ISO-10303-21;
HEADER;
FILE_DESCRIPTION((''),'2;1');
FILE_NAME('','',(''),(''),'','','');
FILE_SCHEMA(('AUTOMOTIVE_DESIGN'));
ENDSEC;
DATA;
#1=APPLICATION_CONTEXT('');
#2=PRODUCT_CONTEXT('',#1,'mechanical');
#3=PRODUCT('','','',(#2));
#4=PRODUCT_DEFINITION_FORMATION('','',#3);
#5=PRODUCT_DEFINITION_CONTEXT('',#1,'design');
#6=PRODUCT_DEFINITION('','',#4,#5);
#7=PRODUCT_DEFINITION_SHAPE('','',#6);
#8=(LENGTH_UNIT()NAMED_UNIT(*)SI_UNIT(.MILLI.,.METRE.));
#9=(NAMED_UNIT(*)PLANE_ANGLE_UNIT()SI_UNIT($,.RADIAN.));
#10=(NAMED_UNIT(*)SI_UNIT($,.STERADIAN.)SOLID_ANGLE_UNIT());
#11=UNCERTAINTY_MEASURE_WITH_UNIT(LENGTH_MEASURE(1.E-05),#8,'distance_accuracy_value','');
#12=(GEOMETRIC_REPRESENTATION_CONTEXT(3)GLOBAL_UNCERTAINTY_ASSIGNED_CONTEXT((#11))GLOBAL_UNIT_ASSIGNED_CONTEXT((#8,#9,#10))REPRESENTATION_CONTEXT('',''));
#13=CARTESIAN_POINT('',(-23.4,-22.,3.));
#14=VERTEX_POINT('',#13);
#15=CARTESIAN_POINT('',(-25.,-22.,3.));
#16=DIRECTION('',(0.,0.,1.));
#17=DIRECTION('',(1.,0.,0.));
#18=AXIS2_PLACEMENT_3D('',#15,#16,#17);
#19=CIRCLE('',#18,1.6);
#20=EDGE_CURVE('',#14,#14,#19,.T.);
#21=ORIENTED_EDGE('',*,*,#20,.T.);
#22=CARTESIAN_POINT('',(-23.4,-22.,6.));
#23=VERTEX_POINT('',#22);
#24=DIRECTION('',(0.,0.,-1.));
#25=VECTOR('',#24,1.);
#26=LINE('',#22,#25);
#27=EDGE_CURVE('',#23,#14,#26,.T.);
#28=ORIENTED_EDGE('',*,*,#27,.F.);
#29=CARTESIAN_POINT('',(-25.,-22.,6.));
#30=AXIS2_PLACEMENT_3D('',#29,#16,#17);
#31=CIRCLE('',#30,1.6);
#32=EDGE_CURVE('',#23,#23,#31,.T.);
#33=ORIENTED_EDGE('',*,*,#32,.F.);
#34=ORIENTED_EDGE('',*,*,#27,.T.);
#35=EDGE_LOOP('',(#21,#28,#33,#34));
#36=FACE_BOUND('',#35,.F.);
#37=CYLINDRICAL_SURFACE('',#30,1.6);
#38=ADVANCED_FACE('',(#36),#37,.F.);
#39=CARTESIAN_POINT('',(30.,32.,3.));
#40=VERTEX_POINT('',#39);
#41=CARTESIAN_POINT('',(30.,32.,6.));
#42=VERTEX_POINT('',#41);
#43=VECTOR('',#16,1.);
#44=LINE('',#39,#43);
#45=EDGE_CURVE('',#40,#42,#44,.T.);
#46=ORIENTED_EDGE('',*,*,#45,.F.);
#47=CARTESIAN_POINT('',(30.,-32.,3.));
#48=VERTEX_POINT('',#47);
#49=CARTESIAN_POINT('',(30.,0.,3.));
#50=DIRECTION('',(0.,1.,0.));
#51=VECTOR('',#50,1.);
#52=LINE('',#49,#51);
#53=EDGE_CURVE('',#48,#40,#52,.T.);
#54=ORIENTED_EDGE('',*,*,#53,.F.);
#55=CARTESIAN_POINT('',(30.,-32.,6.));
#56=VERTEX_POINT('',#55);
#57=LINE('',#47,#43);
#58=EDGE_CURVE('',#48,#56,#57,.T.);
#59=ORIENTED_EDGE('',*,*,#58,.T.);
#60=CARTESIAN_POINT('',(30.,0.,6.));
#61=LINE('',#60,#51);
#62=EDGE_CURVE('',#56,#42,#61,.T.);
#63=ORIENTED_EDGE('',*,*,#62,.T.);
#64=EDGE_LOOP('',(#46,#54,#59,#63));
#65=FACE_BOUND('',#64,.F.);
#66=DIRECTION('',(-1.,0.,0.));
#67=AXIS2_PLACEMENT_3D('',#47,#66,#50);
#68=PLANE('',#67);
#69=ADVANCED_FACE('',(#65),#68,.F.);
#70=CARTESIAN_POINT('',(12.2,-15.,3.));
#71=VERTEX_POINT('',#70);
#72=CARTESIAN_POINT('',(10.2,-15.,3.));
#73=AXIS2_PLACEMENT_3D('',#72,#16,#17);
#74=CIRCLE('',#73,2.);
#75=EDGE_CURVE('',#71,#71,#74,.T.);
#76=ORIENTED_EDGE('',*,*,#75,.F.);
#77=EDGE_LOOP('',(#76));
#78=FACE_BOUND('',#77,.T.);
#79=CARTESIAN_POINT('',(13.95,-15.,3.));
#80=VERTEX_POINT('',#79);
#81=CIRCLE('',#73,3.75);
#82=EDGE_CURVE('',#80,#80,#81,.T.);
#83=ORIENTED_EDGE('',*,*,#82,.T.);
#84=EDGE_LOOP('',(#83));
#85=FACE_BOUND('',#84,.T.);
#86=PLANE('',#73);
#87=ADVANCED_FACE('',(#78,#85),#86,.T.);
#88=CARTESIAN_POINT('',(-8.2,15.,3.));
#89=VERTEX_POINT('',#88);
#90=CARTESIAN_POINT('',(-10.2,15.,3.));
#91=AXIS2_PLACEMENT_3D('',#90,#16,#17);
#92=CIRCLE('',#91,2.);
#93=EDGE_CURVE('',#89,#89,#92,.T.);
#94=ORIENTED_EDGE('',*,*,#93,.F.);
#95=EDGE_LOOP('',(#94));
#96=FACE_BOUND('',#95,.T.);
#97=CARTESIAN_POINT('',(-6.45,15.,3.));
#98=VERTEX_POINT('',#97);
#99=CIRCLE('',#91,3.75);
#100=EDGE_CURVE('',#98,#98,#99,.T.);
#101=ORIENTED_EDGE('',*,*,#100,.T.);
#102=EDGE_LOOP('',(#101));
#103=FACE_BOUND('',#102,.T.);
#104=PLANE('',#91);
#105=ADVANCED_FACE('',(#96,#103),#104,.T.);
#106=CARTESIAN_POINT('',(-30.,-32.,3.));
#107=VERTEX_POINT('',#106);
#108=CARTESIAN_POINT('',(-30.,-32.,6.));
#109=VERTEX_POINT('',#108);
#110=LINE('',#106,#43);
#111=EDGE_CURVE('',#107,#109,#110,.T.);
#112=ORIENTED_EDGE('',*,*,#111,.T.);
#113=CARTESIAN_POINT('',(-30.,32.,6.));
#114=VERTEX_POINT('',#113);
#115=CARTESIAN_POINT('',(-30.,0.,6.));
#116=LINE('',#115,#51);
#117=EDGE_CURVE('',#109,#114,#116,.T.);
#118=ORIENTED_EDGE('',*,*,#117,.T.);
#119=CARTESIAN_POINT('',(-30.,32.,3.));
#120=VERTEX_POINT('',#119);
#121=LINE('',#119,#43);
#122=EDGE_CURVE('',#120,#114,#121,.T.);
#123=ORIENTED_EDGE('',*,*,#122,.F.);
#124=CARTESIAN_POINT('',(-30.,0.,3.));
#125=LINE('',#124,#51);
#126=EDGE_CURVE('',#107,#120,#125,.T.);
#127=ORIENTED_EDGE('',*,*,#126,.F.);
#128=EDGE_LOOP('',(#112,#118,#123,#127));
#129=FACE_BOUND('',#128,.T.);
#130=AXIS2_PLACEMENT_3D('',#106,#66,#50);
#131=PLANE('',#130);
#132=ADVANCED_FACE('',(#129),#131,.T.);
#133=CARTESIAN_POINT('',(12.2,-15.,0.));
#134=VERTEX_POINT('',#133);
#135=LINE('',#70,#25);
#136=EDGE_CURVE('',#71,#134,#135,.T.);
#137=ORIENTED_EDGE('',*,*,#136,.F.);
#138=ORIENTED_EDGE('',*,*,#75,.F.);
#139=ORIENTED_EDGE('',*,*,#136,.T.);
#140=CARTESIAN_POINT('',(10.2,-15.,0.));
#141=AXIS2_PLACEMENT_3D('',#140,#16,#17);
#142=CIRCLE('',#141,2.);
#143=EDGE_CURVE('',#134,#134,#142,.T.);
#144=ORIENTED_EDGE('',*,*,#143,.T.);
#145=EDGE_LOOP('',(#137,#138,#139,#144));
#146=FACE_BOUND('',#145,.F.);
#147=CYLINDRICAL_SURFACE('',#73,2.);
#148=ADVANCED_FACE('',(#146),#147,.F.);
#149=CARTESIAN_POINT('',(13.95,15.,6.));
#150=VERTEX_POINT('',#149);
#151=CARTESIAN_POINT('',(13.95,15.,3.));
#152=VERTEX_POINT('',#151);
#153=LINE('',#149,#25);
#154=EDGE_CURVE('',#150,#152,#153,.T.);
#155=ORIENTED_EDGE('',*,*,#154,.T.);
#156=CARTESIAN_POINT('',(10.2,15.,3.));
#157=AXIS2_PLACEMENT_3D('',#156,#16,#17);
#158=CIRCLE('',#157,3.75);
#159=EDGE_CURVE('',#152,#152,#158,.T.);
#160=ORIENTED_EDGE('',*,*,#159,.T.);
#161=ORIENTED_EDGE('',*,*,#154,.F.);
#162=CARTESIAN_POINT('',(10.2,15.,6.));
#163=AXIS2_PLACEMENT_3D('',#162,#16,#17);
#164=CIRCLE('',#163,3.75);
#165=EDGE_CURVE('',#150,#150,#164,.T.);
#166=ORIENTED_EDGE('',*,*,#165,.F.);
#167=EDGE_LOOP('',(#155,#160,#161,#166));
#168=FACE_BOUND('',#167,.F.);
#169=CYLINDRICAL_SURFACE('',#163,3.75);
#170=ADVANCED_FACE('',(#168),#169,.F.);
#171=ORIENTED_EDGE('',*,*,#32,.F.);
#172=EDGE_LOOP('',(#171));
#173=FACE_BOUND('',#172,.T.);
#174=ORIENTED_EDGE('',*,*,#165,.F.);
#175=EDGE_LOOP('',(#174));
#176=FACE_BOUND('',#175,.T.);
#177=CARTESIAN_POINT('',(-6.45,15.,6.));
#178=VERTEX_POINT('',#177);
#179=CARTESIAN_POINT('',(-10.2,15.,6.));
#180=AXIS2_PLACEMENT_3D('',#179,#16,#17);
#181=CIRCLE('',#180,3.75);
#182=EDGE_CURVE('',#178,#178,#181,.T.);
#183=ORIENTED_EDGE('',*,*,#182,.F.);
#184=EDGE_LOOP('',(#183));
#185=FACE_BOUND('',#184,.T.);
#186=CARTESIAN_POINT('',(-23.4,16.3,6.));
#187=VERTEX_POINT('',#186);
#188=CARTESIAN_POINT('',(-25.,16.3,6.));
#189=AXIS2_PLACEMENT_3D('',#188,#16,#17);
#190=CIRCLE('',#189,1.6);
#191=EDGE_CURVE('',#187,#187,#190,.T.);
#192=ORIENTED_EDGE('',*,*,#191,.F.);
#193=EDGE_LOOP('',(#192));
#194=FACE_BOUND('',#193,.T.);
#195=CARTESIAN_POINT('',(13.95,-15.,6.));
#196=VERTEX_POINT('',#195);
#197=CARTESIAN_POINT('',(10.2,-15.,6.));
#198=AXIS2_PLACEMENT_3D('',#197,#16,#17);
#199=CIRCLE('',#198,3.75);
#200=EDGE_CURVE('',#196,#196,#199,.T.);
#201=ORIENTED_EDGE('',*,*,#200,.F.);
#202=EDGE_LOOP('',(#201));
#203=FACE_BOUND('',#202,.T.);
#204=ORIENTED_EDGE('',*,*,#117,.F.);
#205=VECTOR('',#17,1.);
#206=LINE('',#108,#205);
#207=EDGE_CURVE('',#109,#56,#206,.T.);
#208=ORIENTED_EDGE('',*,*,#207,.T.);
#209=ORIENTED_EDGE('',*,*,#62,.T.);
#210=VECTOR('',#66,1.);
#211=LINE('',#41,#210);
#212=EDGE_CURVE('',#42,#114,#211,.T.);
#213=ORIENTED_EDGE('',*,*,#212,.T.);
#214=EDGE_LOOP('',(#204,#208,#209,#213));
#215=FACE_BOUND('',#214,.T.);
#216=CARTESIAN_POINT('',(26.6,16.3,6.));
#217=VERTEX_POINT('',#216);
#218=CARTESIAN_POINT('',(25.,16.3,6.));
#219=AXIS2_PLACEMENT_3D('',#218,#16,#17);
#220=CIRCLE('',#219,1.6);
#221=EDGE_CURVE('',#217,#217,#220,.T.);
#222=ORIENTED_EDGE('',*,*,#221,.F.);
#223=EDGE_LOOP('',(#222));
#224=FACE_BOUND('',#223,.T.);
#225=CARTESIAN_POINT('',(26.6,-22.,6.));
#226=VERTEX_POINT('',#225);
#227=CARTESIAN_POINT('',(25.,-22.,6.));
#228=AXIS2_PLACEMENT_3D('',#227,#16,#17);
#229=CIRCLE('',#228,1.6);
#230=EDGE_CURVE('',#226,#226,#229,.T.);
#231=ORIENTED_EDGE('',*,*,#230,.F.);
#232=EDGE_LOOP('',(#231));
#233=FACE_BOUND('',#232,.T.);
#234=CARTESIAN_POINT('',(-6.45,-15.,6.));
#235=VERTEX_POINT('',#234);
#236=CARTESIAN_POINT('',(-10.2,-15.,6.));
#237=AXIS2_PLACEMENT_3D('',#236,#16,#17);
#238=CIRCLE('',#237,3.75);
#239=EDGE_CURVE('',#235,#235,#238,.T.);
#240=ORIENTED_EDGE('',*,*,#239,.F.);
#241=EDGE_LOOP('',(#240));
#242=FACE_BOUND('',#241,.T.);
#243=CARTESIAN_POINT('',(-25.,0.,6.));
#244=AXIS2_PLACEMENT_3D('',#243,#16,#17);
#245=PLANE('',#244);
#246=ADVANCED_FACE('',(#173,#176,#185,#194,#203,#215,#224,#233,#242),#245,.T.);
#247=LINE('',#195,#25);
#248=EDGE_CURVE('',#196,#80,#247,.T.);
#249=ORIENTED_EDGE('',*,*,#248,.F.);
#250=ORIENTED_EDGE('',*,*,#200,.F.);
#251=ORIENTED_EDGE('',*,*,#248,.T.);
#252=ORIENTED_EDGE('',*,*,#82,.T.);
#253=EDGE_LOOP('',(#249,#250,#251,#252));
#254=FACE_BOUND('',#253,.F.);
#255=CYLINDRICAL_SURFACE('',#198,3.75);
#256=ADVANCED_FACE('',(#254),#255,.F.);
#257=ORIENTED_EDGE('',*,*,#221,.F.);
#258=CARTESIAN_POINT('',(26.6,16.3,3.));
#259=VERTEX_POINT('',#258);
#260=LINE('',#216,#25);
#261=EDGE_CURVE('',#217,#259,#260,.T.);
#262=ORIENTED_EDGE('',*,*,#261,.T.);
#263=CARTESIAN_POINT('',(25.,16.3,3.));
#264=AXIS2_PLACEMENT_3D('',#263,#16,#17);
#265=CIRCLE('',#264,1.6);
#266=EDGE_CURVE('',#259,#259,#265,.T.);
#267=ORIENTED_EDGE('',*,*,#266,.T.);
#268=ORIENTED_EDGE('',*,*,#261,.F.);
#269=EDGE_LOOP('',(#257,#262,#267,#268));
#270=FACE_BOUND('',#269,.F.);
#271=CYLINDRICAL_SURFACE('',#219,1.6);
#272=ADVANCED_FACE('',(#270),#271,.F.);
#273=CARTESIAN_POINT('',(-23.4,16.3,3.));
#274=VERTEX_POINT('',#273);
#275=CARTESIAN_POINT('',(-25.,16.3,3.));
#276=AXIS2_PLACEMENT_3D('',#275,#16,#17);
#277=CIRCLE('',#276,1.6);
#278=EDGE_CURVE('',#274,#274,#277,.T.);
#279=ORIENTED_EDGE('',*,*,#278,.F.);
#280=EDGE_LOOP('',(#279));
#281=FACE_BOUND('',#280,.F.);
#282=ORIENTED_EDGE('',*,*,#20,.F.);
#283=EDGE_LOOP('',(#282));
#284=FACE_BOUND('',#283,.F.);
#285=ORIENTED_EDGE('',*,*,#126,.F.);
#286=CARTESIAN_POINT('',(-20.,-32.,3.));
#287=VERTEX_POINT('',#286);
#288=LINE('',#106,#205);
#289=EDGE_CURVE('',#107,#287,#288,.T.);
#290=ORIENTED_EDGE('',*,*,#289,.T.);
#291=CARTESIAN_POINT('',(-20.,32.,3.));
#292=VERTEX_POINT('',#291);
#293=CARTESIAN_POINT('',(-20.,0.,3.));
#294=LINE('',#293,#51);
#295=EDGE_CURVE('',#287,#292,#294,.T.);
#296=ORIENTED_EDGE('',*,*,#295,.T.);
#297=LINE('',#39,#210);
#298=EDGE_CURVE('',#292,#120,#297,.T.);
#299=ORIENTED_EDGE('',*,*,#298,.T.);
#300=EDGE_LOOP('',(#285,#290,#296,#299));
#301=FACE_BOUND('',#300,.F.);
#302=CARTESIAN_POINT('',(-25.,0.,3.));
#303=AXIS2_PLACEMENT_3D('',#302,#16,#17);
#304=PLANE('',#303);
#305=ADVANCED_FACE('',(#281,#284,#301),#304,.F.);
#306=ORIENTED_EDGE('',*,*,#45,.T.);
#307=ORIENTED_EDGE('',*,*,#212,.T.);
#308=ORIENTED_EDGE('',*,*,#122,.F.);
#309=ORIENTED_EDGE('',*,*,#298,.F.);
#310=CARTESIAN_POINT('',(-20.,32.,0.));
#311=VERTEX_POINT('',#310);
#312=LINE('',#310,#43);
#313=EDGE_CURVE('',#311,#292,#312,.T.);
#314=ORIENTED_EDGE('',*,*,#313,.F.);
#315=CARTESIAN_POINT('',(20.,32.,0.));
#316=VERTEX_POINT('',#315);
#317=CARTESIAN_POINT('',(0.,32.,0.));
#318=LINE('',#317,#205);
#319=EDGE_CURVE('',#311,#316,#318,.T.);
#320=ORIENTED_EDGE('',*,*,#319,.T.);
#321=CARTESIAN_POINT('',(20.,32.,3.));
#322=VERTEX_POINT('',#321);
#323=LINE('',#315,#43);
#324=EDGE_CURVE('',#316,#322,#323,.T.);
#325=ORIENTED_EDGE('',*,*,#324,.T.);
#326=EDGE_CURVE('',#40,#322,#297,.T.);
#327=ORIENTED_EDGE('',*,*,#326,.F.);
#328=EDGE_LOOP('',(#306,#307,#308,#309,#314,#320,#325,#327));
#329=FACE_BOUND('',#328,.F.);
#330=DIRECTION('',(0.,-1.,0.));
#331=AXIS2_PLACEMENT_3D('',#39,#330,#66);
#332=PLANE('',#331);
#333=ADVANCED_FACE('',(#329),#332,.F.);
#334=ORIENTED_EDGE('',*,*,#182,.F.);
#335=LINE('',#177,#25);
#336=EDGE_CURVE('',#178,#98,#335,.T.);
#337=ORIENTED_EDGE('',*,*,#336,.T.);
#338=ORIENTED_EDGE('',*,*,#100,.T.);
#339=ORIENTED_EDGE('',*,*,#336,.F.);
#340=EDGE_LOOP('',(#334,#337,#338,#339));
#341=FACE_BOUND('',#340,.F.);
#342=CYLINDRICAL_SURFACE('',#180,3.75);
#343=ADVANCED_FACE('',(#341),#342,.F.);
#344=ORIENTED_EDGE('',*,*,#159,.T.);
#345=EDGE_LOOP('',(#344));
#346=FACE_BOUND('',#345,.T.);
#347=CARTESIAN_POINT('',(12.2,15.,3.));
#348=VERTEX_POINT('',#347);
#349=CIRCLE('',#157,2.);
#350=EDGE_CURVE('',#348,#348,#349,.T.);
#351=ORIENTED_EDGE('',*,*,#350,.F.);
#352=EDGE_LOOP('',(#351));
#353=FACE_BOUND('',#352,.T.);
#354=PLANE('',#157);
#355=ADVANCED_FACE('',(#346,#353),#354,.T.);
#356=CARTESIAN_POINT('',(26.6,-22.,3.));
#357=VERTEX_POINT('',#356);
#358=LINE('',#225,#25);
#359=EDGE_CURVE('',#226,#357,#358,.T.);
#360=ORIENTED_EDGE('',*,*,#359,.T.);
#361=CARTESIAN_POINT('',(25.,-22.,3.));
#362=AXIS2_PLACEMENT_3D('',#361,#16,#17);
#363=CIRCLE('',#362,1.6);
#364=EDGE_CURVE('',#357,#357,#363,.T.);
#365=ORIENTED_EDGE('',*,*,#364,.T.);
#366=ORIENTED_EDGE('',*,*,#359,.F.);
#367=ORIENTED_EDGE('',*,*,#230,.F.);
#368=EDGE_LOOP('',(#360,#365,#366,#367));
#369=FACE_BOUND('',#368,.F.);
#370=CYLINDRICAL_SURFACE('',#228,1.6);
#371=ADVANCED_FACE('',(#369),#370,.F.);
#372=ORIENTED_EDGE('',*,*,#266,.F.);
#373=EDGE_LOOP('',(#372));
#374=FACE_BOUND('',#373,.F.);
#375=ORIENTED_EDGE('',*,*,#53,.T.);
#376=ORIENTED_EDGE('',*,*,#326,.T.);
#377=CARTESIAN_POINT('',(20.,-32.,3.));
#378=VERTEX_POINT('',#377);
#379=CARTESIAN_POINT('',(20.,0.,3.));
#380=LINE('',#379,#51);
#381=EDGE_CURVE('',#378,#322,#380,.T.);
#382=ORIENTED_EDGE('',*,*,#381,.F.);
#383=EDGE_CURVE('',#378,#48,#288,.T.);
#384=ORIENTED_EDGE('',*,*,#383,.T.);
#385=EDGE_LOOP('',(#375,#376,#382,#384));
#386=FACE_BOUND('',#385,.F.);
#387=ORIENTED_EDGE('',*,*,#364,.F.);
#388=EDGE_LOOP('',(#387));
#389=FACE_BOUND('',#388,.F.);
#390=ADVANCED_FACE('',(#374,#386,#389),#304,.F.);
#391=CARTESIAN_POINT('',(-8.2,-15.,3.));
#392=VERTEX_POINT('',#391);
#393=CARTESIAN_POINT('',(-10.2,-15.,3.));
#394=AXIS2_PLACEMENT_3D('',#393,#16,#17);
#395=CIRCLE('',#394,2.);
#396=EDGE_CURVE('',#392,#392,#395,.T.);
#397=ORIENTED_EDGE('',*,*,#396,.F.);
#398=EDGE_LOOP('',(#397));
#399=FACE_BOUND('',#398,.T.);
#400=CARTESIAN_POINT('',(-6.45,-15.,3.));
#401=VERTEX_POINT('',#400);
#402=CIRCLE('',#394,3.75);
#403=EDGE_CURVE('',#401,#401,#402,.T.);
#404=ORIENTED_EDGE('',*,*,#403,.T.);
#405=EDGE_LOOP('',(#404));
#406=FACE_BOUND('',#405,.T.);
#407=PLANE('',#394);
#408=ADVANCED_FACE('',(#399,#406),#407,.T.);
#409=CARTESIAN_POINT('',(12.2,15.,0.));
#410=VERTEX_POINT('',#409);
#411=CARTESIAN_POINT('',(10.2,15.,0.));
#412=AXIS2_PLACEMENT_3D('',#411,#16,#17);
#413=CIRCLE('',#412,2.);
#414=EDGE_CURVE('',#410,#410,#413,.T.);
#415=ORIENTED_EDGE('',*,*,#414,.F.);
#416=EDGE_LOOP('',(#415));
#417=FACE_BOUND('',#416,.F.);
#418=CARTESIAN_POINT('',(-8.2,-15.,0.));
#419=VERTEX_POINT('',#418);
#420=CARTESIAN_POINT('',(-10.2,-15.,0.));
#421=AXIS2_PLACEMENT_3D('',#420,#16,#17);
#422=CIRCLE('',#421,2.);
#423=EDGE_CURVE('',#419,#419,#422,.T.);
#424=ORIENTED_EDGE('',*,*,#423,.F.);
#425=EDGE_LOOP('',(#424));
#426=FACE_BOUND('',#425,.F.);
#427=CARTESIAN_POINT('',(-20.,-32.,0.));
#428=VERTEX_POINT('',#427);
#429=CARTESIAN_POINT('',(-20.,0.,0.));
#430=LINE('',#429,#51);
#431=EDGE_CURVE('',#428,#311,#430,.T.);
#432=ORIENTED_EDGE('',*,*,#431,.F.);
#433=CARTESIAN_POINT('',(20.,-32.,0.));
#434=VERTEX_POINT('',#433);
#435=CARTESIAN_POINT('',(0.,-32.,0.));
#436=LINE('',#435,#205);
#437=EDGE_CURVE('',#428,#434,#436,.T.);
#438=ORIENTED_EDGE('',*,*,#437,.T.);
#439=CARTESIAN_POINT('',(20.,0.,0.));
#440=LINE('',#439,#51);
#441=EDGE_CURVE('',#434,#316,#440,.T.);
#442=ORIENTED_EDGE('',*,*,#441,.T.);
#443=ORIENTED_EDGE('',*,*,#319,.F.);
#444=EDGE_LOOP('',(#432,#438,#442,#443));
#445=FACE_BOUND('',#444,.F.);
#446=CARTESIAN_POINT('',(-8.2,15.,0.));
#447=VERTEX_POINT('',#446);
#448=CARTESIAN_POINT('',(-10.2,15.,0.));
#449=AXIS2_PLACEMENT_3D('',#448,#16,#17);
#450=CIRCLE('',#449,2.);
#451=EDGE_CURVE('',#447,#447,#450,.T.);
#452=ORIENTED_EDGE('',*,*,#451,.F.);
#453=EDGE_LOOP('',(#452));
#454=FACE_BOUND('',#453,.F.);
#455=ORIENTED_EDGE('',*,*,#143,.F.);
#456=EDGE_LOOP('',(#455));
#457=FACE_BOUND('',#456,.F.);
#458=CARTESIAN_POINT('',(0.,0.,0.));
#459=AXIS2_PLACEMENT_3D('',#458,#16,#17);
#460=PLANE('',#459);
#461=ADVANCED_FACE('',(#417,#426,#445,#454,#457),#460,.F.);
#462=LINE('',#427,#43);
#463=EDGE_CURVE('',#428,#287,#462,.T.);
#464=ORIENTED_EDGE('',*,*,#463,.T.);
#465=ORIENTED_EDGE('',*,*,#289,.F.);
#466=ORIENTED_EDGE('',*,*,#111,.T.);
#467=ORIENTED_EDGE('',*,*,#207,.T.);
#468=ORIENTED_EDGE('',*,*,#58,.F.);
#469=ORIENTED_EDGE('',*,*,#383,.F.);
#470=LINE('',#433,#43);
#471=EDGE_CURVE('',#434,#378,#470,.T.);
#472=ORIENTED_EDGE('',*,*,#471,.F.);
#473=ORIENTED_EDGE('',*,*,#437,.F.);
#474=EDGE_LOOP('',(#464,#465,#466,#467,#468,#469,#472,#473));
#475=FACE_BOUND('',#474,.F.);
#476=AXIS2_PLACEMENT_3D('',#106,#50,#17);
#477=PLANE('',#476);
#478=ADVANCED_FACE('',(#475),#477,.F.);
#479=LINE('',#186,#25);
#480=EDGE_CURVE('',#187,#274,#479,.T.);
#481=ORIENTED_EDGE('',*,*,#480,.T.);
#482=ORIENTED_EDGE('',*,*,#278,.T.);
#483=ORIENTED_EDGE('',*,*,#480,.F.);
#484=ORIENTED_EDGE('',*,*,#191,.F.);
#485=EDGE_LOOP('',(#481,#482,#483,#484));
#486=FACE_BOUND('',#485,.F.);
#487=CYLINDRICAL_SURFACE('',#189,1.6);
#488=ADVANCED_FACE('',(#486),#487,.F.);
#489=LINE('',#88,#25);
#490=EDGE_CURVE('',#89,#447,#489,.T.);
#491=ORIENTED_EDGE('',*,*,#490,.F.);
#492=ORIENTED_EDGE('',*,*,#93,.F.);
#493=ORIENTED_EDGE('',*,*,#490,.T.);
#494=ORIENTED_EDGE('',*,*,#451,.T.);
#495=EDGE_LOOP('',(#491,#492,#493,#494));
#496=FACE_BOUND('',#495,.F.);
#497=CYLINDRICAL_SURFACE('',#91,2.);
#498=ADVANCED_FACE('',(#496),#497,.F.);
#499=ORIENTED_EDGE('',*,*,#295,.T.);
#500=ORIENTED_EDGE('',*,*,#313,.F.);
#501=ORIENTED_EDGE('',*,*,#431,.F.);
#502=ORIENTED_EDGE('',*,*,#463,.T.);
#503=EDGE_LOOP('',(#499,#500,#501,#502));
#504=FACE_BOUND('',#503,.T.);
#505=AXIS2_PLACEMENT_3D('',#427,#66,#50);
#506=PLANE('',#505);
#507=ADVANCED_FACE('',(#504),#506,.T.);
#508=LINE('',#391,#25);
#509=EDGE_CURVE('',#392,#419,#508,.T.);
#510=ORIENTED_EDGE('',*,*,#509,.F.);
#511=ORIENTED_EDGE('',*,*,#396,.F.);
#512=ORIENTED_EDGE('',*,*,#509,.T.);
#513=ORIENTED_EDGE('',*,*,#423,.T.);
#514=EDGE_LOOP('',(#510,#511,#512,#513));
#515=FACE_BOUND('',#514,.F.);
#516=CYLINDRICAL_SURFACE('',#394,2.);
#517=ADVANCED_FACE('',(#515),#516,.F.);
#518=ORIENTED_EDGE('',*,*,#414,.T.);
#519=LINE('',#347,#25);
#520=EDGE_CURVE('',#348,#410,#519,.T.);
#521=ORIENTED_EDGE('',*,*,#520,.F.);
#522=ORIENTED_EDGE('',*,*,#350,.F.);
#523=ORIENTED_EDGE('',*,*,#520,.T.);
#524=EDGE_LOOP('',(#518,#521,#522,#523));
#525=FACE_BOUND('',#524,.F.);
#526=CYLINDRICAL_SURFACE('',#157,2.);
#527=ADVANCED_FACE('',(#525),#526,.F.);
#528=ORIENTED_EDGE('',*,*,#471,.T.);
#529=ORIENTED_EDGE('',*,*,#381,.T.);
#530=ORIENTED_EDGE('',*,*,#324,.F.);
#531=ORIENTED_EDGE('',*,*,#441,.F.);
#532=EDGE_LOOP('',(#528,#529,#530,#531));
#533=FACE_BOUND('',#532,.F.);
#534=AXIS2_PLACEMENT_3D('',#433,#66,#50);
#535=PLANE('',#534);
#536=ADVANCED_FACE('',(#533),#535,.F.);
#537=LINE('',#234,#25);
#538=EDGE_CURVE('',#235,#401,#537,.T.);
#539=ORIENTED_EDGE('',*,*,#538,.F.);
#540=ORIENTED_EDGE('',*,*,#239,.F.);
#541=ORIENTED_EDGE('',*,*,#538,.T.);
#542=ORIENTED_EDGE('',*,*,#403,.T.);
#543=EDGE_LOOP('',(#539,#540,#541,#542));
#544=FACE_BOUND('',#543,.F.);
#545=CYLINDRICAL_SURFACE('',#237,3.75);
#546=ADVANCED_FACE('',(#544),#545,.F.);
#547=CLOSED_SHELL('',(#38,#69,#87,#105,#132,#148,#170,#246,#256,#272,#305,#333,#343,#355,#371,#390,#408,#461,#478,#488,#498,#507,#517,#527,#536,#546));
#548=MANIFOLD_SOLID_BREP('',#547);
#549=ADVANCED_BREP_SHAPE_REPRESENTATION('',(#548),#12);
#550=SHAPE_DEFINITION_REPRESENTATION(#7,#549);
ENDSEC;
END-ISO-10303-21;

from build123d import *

# Parameters (mm, degrees)
F0_W      = 40
F0_H      = 64
F1_DEPTH  = 3
F2_W      = 10
F2_H      = 64
F2_W_2    = 40
F3_DEPTH  = 3
F4_R      = 1.6
F5_DEPTH  = 25
F6_R      = 1.6
F7_DEPTH  = 25
F8_R      = 3.75
F9_DEPTH  = 3
F10_R     = 2
F11_DEPTH = 25


with BuildPart() as f1:
    # F0 (on Top) → F1 (new body)
    with BuildSketch(Plane.XY):
        Rectangle(F0_W, F0_H)
    extrude(amount=F1_DEPTH)

    # F2 (on face) → F3 (join)
    with BuildSketch(Plane.XY.offset(3)):
        with Locations((-25, 0)):
            Rectangle(F2_W, F2_H)
        Rectangle(F2_W_2, F2_H)
        with Locations((25, 0)):
            Rectangle(F2_W, F2_H)
    extrude(amount=F3_DEPTH)

    # F4 (on face) → F5 (cut)
    with BuildSketch(Plane.XY.offset(6)):
        with Locations((-25, 16.3)):
            Circle(F4_R)
    extrude(amount=-F5_DEPTH, mode=Mode.SUBTRACT)

    # F6 (on face) → F7 (cut)
    with BuildSketch(Plane.XY.offset(6)):
        with Locations((-25, -22)):
            Circle(F6_R)
        with Locations((25, -22)):
            Circle(F6_R)
        with Locations((25, 16.3)):
            Circle(F6_R)
    extrude(amount=-F7_DEPTH, mode=Mode.SUBTRACT)

    # F8 (on face) → F9 (cut)
    with BuildSketch(Plane.XY.offset(6)):
        with Locations((-10.2, -15)):
            Circle(F8_R)
        with Locations((10.2, -15)):
            Circle(F8_R)
        with Locations((10.2, 15)):
            Circle(F8_R)
        with Locations((-10.2, 15)):
            Circle(F8_R)
    extrude(amount=-F9_DEPTH, mode=Mode.SUBTRACT)

    # F10 (on face) → F11 (cut)
    with BuildSketch(Plane.XY.offset(3)):
        with Locations((-10.2, -15)):
            Circle(F10_R)
        with Locations((-10.2, 15)):
            Circle(F10_R)
        with Locations((10.2, 15)):
            Circle(F10_R)
        with Locations((10.2, -15)):
            Circle(F10_R)
    extrude(amount=-F11_DEPTH, mode=Mode.SUBTRACT)


solid = f1.part
